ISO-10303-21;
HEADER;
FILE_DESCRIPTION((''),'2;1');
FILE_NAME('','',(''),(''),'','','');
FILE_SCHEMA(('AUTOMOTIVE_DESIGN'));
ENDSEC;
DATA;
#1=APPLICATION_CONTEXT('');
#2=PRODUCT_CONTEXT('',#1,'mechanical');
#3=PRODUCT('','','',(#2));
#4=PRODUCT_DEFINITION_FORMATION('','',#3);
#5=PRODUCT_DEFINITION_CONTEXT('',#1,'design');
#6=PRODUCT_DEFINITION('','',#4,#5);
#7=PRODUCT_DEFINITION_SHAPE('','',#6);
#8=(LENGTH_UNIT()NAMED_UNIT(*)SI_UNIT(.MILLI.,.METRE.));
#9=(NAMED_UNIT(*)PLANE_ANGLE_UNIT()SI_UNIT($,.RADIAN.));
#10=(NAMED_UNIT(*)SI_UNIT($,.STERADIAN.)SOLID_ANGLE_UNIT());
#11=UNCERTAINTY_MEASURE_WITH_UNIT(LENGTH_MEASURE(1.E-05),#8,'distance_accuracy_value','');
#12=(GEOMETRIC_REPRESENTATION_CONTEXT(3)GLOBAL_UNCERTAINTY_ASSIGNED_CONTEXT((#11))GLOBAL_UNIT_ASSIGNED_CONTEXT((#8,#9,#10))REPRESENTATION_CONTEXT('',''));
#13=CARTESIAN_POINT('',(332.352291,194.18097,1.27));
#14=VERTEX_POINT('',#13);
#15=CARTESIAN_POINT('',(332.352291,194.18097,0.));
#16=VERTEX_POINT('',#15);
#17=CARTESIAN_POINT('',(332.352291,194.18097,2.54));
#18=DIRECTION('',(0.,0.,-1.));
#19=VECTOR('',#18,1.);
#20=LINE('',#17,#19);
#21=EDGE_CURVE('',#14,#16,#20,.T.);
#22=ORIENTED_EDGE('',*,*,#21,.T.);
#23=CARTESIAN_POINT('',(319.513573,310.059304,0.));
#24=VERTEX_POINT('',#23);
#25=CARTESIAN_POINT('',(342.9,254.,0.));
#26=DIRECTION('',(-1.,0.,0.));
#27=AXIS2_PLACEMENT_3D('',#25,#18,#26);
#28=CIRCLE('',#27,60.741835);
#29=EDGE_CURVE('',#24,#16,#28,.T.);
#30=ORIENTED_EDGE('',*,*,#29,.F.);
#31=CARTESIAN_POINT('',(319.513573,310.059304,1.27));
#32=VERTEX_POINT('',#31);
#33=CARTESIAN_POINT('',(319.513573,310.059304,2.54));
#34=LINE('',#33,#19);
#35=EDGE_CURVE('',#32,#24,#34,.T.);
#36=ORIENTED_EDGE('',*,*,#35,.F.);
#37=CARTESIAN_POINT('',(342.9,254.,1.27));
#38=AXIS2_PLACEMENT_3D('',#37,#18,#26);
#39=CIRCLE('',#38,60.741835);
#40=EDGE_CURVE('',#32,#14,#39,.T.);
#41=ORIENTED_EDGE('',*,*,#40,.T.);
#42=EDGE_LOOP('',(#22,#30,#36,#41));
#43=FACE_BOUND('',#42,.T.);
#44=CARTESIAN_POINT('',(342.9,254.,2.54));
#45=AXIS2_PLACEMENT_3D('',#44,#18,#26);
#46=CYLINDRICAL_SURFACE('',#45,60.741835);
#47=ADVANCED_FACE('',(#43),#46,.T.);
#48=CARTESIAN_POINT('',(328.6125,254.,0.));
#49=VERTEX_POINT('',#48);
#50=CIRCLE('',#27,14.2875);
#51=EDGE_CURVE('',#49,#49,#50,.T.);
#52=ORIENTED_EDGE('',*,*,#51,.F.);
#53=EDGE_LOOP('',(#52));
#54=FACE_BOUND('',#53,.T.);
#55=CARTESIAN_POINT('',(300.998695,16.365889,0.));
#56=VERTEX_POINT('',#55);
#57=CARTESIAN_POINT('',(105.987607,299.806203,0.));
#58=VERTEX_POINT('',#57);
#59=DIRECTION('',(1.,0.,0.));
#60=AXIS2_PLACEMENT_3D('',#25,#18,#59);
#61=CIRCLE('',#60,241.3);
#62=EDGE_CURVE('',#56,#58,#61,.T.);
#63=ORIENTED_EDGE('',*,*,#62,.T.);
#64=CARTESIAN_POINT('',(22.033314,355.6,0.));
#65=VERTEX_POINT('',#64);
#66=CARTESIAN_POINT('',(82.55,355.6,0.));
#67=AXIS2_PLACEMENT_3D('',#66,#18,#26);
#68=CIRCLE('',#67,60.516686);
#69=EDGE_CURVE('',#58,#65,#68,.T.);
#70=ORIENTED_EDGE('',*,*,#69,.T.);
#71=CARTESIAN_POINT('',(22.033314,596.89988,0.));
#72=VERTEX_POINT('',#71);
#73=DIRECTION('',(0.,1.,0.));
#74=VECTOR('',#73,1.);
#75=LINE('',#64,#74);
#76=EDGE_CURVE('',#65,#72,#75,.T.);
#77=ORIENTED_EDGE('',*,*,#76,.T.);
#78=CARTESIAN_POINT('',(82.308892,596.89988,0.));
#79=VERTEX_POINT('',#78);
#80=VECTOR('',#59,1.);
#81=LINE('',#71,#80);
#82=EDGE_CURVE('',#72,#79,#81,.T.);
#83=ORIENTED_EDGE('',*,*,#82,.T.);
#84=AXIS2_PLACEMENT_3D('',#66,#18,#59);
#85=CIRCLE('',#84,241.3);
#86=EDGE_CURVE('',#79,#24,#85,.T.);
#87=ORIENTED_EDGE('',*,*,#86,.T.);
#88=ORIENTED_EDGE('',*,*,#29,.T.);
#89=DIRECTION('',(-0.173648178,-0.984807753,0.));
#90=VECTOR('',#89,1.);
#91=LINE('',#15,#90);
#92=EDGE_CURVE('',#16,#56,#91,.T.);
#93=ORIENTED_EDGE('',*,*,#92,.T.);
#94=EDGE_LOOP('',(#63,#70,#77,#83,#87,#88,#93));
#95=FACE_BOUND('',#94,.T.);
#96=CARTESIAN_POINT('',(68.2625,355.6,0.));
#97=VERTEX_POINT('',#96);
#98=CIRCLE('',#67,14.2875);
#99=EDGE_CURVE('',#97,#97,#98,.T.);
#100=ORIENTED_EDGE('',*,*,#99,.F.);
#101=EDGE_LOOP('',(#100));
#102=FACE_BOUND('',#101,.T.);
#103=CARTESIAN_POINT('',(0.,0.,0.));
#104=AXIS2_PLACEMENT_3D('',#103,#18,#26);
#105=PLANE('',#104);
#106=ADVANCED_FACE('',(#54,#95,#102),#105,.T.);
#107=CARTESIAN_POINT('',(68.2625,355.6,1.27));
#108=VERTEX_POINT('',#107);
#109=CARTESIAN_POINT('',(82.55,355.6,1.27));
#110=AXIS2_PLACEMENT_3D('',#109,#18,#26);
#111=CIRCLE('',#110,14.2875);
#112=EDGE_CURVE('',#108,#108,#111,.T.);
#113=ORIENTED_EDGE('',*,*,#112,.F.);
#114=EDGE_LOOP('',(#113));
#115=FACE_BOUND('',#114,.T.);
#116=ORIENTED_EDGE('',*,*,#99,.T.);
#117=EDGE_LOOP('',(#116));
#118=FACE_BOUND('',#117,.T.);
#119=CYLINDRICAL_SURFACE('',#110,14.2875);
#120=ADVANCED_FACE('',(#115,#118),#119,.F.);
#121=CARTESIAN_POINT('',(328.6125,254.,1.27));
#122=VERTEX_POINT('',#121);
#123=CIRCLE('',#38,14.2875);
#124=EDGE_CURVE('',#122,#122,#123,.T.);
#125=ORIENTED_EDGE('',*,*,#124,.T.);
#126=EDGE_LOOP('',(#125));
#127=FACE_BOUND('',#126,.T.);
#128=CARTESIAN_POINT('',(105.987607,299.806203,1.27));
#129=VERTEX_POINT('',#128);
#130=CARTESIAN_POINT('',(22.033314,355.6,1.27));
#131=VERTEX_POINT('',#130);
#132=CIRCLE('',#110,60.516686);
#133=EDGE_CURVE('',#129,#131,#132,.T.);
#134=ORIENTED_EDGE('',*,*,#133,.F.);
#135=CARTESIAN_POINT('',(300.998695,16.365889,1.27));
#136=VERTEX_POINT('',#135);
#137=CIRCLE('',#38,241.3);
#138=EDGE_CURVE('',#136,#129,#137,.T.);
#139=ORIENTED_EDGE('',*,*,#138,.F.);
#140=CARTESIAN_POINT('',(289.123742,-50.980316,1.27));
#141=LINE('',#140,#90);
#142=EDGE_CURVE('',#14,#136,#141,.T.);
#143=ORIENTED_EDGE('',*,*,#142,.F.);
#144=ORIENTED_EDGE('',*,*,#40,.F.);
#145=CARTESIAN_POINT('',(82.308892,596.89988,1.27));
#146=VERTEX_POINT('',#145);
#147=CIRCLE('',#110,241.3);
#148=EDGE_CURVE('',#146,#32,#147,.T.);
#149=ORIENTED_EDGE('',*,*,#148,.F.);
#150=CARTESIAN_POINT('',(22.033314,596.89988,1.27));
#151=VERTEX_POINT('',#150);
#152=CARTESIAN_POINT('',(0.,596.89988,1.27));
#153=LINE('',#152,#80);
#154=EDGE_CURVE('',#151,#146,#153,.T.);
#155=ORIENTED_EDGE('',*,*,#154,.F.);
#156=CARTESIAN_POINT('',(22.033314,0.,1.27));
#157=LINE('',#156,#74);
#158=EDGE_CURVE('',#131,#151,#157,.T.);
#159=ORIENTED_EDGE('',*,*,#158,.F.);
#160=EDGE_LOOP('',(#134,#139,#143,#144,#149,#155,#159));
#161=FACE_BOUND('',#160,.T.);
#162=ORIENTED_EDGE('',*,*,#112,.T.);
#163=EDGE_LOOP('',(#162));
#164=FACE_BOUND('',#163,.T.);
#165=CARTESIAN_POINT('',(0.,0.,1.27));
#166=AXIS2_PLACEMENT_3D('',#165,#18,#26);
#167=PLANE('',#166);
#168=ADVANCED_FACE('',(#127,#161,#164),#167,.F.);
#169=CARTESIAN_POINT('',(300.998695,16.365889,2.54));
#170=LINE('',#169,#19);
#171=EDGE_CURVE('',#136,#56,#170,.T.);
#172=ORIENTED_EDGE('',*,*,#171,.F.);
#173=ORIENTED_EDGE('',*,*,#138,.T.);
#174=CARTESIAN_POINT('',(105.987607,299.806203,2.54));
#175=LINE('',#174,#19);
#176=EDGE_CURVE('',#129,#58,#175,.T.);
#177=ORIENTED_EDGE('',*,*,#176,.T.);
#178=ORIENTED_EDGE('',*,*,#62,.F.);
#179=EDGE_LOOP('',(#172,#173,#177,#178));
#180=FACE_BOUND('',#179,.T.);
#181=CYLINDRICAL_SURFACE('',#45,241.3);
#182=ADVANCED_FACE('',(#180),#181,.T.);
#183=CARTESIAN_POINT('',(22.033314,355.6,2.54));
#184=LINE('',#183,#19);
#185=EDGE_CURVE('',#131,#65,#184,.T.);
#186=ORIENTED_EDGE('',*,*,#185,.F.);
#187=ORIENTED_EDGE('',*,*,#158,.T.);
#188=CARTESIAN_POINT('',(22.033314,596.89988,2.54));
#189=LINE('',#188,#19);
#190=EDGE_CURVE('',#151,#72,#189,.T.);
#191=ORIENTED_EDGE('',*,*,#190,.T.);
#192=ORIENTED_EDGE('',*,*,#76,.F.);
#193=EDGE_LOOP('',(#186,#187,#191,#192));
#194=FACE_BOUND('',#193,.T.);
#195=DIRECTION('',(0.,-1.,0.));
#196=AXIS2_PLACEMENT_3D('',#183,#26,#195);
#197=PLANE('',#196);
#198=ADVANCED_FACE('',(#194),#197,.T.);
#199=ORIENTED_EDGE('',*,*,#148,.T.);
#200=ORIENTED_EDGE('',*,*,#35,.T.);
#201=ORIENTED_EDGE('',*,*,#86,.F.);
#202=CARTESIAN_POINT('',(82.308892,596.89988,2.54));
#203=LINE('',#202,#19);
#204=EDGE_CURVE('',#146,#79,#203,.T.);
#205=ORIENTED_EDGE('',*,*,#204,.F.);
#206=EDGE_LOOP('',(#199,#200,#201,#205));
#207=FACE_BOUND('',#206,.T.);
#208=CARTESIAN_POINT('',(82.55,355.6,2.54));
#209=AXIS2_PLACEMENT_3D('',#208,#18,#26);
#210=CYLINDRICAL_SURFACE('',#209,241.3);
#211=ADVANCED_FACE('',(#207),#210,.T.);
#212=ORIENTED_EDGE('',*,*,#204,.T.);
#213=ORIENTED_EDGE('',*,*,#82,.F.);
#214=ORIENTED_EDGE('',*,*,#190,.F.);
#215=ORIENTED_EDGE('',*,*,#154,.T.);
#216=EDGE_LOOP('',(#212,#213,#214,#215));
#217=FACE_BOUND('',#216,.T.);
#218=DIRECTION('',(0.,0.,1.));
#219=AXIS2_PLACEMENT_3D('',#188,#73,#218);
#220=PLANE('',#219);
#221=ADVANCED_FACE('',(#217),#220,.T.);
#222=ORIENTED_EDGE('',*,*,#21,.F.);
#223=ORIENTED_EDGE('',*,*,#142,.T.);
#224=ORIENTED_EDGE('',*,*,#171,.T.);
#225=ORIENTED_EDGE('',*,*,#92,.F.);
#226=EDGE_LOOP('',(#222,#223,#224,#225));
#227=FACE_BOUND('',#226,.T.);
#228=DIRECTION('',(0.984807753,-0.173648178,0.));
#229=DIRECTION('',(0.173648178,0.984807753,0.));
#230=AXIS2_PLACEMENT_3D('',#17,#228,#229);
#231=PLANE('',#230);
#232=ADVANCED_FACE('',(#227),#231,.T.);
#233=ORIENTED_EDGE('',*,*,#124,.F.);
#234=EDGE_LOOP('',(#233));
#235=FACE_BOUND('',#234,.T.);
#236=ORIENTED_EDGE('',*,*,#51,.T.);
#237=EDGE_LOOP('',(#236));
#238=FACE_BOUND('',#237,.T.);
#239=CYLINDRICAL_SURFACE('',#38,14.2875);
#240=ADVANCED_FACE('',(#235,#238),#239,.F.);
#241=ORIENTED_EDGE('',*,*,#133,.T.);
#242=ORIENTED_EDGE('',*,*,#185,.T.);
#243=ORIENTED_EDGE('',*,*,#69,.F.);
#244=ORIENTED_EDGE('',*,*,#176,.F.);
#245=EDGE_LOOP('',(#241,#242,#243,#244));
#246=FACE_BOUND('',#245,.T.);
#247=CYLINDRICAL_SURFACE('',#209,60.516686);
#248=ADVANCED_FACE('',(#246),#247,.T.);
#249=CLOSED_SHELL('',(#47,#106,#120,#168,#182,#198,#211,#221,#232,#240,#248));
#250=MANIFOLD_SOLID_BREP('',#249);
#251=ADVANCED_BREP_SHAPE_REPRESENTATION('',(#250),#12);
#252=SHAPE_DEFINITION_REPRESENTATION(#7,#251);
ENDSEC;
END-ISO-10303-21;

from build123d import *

# Parameters (mm, degrees)
SKETCH1_W           = 431.8
SKETCH1_H           = 609.6
BOSS_EXTRUDE1_DEPTH = 1.27
SKETCH2_R           = 14.2875
CUT_EXTRUDE1_DEPTH  = 1.27
SKETCH3_OUTSIDE_W   = 583.208
SKETCH3_OUTSIDE_H   = 761.008
CUT_EXTRUDE2_DEPTH  = 2.54


with BuildPart() as part:
    # Sketch1 → Boss-Extrude1 (new body)
    with BuildSketch(Plane.XY):
        with Locations((215.9, 304.8)):
            Rectangle(SKETCH1_W, SKETCH1_H)
    extrude(amount=BOSS_EXTRUDE1_DEPTH)

    # Sketch2 → Cut-Extrude1 (cut)
    with BuildSketch(Plane(origin=(0, 0, 0), x_dir=(-1, 0, 0), z_dir=(0, 0, -1))):
        with Locations((-82.55, 355.6)):
            Circle(SKETCH2_R)
        with Locations((-342.9, 254)):
            Circle(SKETCH2_R)
    extrude(amount=-CUT_EXTRUDE1_DEPTH, mode=Mode.SUBTRACT)

    # Sketch3 outside → Cut-Extrude2 (cut)
    with BuildSketch(Plane(origin=(0, 0, 0), x_dir=(-1, 0, 0), z_dir=(0, 0, -1))):
        with Locations((-215.9, 304.8)):
            Rectangle(SKETCH3_OUTSIDE_W, SKETCH3_OUTSIDE_H)
        with BuildLine():
            Line((-332.352291022, 194.180969832), (-300.998694729, 16.365889198))
            ThreePointArc((-300.998694729, 16.365889198), (-144.106457916, 117.227131251), (-105.987607355, 299.806202759))
            ThreePointArc((-105.987607355, 299.806202759), (-49.054456035, 305.198434711), (-22.033314292, 355.6))
            Line((-22.033314292, 355.6), (-22.033314292, 596.899879542))
            Line((-22.033314292, 596.899879542), (-82.308891716, 596.899879542))
            ThreePointArc((-82.308891716, 596.899879542), (-268.503650886, 509.375582335), (-319.513573185, 310.059304096))
            ThreePointArc((-319.513573185, 310.059304096), (-403.272414901, 260.688950139), (-332.352291022, 194.180969832))
        make_face(mode=Mode.SUBTRACT)
    extrude(amount=-CUT_EXTRUDE2_DEPTH, mode=Mode.SUBTRACT)


solid = part.part
